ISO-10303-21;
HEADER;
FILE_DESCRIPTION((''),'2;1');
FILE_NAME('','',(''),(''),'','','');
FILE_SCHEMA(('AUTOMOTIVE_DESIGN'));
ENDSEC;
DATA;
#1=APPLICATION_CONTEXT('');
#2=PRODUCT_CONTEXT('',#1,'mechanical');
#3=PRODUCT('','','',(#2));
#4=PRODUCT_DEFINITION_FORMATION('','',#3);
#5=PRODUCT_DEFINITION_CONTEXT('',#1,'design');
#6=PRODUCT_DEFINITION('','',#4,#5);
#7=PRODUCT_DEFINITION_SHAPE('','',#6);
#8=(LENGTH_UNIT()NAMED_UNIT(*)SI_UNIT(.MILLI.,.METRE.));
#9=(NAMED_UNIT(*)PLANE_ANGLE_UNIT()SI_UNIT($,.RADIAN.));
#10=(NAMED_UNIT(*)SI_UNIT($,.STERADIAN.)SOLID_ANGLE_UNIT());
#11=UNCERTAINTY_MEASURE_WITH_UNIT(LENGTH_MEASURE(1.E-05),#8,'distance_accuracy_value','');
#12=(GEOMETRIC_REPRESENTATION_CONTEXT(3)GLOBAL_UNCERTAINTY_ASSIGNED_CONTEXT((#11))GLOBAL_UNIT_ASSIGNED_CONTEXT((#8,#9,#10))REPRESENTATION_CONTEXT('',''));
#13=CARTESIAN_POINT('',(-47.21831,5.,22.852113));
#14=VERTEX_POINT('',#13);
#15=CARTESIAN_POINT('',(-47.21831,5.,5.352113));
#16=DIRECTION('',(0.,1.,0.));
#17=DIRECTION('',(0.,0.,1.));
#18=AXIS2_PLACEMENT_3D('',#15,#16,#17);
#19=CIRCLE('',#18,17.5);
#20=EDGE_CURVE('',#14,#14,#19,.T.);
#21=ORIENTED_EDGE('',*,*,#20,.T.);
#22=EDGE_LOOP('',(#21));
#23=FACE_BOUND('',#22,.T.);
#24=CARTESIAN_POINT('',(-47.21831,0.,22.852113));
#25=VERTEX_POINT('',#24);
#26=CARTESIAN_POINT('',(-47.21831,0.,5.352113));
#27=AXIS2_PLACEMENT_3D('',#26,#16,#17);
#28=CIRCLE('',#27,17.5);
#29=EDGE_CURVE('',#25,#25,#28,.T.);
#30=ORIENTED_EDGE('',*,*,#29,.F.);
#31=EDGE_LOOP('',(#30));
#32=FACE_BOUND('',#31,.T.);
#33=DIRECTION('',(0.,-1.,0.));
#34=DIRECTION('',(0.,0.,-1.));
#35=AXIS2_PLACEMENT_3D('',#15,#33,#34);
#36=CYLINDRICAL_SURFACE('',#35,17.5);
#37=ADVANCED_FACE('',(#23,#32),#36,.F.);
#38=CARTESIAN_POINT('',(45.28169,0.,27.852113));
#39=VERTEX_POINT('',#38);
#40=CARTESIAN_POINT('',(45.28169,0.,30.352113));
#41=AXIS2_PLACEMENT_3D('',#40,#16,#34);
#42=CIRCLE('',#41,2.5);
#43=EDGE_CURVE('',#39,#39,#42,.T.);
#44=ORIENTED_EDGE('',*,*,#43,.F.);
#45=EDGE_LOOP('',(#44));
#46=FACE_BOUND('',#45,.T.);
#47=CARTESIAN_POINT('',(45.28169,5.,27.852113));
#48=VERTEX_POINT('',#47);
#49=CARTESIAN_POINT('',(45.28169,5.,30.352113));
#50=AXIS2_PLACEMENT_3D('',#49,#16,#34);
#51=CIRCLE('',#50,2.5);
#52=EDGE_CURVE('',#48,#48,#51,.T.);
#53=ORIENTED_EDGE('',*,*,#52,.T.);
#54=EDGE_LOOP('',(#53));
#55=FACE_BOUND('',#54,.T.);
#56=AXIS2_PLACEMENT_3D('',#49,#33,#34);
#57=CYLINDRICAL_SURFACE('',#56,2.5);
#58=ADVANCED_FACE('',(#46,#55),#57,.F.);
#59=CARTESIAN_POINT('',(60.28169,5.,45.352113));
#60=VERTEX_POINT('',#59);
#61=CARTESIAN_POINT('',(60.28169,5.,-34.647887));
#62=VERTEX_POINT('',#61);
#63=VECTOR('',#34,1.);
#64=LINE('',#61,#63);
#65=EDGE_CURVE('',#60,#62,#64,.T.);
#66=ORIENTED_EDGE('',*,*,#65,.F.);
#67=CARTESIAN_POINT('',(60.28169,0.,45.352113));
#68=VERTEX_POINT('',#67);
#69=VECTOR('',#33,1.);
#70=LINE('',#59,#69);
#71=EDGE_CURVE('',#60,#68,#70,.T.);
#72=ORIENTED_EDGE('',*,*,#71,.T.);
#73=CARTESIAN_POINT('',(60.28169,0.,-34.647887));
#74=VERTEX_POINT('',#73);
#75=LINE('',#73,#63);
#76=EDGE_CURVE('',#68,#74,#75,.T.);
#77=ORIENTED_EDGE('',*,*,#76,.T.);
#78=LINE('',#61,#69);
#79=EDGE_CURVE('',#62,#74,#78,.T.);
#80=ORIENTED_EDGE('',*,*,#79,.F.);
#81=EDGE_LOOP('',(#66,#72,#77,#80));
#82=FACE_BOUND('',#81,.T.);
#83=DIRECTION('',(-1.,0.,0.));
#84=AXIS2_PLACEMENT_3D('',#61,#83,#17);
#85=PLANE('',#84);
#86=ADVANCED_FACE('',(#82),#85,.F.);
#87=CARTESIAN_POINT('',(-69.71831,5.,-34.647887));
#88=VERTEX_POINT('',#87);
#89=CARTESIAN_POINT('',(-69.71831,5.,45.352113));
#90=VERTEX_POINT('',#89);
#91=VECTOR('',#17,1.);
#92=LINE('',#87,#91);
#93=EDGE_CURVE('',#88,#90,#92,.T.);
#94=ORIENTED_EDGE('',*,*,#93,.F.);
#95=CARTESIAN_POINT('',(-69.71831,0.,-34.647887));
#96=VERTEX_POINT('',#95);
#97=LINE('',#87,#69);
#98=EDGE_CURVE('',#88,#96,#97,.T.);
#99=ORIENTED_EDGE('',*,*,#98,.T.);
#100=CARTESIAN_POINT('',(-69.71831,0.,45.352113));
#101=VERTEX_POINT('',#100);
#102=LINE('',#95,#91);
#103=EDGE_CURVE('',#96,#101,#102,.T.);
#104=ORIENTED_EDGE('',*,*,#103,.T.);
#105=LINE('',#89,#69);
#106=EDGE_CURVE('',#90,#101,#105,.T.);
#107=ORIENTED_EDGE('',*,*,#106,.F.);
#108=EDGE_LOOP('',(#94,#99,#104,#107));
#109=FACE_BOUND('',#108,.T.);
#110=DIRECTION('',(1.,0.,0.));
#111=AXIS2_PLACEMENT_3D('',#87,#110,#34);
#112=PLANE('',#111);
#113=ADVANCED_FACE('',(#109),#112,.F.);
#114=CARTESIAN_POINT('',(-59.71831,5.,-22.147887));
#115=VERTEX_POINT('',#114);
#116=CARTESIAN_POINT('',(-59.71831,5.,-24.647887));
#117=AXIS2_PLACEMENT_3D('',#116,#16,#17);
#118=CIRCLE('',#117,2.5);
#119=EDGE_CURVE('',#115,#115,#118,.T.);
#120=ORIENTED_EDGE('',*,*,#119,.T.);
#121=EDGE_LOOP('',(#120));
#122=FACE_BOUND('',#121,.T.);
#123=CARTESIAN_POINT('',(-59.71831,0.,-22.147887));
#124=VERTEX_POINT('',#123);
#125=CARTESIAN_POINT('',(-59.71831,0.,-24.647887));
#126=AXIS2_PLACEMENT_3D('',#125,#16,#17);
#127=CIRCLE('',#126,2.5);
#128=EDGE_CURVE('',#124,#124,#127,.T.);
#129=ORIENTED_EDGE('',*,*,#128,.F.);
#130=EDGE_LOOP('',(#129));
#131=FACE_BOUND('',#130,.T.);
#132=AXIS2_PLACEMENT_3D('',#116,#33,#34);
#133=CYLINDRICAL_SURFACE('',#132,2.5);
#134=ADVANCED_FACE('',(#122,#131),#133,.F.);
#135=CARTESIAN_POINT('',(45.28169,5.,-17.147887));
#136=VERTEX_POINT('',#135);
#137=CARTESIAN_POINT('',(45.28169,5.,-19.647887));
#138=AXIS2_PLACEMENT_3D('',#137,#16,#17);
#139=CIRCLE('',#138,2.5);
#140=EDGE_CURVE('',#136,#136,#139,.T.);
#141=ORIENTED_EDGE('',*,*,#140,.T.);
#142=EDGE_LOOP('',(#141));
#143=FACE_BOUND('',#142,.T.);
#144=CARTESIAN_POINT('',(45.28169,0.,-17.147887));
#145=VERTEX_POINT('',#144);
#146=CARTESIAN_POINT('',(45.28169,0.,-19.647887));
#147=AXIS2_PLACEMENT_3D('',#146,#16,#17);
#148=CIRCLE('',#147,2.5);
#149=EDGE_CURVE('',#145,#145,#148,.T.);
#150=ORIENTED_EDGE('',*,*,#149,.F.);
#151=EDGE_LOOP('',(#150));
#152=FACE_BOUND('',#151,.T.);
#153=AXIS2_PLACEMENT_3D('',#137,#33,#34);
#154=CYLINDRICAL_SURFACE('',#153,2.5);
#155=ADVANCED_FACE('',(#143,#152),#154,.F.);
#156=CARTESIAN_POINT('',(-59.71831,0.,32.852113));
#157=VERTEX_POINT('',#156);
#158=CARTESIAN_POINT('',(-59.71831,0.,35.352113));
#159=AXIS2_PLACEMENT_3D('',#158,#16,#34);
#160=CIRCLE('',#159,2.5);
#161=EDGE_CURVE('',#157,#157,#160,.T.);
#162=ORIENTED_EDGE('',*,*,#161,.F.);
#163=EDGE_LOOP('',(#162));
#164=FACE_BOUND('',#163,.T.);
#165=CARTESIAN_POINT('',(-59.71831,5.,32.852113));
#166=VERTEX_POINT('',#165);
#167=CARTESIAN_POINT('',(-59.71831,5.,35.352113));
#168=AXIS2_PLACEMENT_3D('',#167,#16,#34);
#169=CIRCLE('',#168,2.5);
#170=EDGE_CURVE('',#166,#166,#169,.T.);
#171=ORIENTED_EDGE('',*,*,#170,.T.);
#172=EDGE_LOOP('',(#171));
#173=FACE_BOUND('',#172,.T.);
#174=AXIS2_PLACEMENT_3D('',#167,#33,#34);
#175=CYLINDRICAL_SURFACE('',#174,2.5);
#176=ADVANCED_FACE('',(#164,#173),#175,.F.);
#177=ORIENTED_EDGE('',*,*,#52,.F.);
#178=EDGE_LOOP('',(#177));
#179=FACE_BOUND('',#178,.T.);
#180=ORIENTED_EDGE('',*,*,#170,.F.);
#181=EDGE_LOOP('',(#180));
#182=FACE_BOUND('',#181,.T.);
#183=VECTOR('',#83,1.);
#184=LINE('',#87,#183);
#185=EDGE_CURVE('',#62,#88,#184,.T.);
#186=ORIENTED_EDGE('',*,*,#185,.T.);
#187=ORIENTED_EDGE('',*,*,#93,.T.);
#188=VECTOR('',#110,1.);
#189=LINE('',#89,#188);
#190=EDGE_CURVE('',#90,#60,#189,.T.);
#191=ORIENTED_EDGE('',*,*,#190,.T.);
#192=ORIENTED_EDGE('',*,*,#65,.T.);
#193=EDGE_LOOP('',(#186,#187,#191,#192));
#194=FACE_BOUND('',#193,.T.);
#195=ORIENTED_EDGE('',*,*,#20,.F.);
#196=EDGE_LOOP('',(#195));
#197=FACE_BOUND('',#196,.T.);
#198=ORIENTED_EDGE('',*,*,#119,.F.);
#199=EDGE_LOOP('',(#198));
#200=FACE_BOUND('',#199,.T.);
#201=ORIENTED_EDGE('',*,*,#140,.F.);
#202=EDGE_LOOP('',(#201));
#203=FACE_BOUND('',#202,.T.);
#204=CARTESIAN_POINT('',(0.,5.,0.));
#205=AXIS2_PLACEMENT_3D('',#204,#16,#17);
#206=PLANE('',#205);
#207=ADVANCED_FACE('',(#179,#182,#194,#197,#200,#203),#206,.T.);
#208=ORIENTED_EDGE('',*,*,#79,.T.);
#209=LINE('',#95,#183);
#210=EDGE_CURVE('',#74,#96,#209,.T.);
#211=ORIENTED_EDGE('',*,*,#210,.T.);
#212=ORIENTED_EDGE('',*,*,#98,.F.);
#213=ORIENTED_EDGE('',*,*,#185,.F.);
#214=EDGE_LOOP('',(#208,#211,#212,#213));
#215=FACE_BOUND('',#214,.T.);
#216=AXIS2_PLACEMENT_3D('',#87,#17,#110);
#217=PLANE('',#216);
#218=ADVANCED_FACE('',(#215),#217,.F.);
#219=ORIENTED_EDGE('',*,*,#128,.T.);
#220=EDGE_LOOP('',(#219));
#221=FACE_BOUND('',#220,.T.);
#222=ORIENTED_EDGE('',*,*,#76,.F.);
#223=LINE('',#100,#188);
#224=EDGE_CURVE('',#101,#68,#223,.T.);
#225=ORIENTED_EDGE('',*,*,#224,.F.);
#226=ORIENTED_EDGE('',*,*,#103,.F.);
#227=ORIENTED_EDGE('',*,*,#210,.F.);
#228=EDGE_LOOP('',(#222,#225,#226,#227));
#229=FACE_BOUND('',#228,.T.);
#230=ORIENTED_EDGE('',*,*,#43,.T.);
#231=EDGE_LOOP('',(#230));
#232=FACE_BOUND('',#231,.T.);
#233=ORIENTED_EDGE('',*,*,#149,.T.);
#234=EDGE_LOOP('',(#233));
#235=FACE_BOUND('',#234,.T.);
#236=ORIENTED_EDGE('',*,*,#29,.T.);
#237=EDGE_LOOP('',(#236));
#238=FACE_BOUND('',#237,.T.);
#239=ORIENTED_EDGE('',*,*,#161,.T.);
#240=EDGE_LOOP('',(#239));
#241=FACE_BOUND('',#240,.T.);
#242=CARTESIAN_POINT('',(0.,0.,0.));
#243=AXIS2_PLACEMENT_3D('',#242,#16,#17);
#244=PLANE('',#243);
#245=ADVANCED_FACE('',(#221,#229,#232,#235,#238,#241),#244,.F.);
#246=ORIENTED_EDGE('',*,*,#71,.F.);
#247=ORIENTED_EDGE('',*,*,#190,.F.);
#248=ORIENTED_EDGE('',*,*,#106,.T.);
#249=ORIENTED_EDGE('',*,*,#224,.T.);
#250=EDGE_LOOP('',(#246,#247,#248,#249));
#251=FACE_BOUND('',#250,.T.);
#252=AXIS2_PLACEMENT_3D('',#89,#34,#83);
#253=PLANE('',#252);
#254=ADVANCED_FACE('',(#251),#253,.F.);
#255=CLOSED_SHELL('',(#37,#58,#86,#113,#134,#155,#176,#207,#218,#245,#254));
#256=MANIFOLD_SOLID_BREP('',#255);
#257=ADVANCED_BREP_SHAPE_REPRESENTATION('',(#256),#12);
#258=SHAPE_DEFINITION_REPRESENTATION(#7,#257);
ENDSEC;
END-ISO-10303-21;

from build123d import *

# Parameters (mm, degrees)
SKETCH1_W           = 130
SKETCH1_H           = 80
SKETCH1_R           = 17.5
SKETCH1_R_2         = 2.5
BOSS_EXTRUDE1_DEPTH = 5


with BuildPart() as part:
    # Sketch1 → Boss-Extrude1 (new body)
    with BuildSketch(Plane(origin=(0, 0, 0), x_dir=(1, 0, 0), z_dir=(0, 1, 0))):
        with Locations((-4.718309859, -5.352112676)):
            Rectangle(SKETCH1_W, SKETCH1_H)
        with Locations(Location((-47.218309859, -5.352112676, 0), (0, 0, 270))):
            Circle(SKETCH1_R, mode=Mode.SUBTRACT)
        with Locations(Location((45.281690141, 19.647887324, 0), (0, 0, 270))):
            Circle(SKETCH1_R_2, mode=Mode.SUBTRACT)
        with Locations(Location((-59.718309859, 24.647887324, 0), (0, 0, 270))):
            Circle(SKETCH1_R_2, mode=Mode.SUBTRACT)
        with Locations(Location((45.281690141, -30.352112676, 0), (0, 0, 90))):
            Circle(SKETCH1_R_2, mode=Mode.SUBTRACT)
        with Locations(Location((-59.718309859, -35.352112676, 0), (0, 0, 90))):
            Circle(SKETCH1_R_2, mode=Mode.SUBTRACT)
    extrude(amount=BOSS_EXTRUDE1_DEPTH)


solid = part.part
